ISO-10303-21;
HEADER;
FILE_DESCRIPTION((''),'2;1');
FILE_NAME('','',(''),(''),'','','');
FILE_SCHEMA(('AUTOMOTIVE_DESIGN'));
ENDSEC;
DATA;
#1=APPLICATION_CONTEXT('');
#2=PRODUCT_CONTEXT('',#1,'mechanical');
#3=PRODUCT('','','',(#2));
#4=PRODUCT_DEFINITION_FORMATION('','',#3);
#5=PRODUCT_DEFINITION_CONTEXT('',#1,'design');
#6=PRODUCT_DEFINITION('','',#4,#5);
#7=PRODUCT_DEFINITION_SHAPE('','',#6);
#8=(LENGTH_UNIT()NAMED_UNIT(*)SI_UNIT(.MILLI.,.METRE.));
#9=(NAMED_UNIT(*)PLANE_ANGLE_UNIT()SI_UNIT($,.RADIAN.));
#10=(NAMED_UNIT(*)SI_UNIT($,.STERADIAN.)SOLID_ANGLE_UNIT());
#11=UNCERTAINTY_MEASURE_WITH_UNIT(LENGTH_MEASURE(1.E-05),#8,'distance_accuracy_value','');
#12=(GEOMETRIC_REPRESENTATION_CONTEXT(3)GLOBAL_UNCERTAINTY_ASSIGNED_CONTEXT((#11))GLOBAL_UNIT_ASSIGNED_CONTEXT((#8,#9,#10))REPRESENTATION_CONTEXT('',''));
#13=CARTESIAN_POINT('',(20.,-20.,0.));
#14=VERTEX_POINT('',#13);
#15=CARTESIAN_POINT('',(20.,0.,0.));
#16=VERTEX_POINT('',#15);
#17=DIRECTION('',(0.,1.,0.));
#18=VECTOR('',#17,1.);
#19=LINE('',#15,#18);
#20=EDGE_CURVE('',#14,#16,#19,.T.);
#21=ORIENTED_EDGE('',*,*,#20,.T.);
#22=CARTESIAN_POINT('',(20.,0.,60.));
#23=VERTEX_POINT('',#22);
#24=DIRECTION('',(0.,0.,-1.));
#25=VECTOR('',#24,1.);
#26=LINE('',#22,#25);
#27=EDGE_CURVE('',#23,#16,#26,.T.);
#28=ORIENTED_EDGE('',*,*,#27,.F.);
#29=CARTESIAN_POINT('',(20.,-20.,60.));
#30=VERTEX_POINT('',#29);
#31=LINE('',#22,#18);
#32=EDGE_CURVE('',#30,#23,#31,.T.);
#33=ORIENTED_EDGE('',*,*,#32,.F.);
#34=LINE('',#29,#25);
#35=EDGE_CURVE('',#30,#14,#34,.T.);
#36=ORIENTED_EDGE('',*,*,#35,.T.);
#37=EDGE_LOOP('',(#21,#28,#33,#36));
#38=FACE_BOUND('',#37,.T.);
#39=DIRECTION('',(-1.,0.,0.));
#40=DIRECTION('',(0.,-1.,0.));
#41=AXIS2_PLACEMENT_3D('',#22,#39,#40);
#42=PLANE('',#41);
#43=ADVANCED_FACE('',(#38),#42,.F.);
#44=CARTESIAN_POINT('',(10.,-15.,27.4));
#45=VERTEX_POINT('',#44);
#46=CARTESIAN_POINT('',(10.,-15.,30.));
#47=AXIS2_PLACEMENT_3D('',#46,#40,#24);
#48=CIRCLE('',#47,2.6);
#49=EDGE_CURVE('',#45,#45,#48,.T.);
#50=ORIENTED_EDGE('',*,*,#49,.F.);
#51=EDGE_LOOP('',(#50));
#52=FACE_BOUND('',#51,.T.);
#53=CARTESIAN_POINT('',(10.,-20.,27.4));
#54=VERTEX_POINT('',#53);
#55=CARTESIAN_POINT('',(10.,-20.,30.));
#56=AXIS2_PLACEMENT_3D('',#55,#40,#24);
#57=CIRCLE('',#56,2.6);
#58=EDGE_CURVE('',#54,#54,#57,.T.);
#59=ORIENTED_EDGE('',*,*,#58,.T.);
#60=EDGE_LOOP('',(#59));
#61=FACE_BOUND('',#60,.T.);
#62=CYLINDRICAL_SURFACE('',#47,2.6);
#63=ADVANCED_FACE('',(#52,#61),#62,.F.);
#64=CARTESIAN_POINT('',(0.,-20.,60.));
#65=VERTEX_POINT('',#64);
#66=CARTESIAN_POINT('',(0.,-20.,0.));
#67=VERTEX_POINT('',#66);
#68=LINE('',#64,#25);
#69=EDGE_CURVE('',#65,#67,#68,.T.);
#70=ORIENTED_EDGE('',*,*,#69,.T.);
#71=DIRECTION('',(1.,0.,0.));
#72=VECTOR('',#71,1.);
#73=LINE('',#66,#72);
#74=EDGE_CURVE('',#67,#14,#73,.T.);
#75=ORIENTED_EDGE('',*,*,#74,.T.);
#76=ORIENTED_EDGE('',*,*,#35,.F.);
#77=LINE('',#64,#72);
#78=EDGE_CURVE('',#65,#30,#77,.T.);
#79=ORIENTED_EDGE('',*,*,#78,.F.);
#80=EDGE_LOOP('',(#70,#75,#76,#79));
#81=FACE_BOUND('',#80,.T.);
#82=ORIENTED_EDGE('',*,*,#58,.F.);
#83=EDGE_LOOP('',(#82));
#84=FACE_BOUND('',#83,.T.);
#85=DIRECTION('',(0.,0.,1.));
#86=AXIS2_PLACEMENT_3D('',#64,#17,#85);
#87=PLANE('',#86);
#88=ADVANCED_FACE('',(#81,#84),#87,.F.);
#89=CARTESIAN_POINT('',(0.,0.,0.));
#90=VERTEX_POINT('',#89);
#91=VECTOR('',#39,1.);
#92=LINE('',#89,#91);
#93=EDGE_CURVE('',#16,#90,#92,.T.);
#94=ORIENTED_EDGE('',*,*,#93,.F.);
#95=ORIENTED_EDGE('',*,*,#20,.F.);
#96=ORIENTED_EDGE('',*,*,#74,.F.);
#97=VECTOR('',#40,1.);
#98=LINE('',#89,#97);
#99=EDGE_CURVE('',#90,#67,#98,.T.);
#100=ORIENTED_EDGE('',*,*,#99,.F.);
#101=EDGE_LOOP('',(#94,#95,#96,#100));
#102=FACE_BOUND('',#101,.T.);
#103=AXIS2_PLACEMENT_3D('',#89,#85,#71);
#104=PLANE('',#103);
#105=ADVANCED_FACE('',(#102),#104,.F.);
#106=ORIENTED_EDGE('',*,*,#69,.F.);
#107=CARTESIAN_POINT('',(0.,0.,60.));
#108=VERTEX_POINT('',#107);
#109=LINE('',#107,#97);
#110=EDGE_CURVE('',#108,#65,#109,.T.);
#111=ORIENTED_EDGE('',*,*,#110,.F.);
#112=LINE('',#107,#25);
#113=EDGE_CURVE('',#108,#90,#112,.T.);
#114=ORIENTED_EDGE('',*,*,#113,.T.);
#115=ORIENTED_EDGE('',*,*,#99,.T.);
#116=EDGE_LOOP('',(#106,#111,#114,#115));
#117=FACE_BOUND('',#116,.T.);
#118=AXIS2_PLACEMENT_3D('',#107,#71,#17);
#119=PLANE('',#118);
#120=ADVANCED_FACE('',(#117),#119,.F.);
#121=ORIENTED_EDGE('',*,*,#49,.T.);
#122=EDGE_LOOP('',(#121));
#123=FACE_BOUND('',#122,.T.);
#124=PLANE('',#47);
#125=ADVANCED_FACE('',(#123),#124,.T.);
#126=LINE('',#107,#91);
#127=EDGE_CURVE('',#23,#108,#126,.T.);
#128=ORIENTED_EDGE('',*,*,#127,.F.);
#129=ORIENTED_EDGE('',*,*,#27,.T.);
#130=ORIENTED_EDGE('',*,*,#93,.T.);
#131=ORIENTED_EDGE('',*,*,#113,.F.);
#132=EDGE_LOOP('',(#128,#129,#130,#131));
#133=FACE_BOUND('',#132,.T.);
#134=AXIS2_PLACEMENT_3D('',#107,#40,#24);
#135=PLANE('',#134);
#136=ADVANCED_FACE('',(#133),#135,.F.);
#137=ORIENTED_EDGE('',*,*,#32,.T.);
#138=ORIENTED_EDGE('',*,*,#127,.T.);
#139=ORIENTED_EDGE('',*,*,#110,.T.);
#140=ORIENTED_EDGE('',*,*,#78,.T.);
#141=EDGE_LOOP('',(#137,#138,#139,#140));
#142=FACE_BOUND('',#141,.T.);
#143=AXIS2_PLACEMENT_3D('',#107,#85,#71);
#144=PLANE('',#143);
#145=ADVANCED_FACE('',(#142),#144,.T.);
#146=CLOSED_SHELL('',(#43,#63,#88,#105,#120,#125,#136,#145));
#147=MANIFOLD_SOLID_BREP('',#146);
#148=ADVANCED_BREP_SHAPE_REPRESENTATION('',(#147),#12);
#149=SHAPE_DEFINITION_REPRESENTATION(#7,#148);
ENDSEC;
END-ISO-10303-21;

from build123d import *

# Parameters (mm, degrees)
SKETCH1_W           = 20
SKETCH1_H           = 20
BOSS_EXTRUDE1_DEPTH = 60
SKETCH2_R           = 2.6
CUT_EXTRUDE1_DEPTH  = 5


with BuildPart() as part:
    # Sketch1 → Boss-Extrude1 (new body)
    with BuildSketch(Plane.XY):
        with Locations((10, -10)):
            Rectangle(SKETCH1_W, SKETCH1_H)
    extrude(amount=BOSS_EXTRUDE1_DEPTH)

    # Sketch2 → Cut-Extrude1 (cut)
    with BuildSketch(Plane.XZ.offset(20)):
        with Locations(Location((10, 30, 0), (0, 0, 270))):
            Circle(SKETCH2_R)
    extrude(amount=-CUT_EXTRUDE1_DEPTH, mode=Mode.SUBTRACT)


solid = part.part
